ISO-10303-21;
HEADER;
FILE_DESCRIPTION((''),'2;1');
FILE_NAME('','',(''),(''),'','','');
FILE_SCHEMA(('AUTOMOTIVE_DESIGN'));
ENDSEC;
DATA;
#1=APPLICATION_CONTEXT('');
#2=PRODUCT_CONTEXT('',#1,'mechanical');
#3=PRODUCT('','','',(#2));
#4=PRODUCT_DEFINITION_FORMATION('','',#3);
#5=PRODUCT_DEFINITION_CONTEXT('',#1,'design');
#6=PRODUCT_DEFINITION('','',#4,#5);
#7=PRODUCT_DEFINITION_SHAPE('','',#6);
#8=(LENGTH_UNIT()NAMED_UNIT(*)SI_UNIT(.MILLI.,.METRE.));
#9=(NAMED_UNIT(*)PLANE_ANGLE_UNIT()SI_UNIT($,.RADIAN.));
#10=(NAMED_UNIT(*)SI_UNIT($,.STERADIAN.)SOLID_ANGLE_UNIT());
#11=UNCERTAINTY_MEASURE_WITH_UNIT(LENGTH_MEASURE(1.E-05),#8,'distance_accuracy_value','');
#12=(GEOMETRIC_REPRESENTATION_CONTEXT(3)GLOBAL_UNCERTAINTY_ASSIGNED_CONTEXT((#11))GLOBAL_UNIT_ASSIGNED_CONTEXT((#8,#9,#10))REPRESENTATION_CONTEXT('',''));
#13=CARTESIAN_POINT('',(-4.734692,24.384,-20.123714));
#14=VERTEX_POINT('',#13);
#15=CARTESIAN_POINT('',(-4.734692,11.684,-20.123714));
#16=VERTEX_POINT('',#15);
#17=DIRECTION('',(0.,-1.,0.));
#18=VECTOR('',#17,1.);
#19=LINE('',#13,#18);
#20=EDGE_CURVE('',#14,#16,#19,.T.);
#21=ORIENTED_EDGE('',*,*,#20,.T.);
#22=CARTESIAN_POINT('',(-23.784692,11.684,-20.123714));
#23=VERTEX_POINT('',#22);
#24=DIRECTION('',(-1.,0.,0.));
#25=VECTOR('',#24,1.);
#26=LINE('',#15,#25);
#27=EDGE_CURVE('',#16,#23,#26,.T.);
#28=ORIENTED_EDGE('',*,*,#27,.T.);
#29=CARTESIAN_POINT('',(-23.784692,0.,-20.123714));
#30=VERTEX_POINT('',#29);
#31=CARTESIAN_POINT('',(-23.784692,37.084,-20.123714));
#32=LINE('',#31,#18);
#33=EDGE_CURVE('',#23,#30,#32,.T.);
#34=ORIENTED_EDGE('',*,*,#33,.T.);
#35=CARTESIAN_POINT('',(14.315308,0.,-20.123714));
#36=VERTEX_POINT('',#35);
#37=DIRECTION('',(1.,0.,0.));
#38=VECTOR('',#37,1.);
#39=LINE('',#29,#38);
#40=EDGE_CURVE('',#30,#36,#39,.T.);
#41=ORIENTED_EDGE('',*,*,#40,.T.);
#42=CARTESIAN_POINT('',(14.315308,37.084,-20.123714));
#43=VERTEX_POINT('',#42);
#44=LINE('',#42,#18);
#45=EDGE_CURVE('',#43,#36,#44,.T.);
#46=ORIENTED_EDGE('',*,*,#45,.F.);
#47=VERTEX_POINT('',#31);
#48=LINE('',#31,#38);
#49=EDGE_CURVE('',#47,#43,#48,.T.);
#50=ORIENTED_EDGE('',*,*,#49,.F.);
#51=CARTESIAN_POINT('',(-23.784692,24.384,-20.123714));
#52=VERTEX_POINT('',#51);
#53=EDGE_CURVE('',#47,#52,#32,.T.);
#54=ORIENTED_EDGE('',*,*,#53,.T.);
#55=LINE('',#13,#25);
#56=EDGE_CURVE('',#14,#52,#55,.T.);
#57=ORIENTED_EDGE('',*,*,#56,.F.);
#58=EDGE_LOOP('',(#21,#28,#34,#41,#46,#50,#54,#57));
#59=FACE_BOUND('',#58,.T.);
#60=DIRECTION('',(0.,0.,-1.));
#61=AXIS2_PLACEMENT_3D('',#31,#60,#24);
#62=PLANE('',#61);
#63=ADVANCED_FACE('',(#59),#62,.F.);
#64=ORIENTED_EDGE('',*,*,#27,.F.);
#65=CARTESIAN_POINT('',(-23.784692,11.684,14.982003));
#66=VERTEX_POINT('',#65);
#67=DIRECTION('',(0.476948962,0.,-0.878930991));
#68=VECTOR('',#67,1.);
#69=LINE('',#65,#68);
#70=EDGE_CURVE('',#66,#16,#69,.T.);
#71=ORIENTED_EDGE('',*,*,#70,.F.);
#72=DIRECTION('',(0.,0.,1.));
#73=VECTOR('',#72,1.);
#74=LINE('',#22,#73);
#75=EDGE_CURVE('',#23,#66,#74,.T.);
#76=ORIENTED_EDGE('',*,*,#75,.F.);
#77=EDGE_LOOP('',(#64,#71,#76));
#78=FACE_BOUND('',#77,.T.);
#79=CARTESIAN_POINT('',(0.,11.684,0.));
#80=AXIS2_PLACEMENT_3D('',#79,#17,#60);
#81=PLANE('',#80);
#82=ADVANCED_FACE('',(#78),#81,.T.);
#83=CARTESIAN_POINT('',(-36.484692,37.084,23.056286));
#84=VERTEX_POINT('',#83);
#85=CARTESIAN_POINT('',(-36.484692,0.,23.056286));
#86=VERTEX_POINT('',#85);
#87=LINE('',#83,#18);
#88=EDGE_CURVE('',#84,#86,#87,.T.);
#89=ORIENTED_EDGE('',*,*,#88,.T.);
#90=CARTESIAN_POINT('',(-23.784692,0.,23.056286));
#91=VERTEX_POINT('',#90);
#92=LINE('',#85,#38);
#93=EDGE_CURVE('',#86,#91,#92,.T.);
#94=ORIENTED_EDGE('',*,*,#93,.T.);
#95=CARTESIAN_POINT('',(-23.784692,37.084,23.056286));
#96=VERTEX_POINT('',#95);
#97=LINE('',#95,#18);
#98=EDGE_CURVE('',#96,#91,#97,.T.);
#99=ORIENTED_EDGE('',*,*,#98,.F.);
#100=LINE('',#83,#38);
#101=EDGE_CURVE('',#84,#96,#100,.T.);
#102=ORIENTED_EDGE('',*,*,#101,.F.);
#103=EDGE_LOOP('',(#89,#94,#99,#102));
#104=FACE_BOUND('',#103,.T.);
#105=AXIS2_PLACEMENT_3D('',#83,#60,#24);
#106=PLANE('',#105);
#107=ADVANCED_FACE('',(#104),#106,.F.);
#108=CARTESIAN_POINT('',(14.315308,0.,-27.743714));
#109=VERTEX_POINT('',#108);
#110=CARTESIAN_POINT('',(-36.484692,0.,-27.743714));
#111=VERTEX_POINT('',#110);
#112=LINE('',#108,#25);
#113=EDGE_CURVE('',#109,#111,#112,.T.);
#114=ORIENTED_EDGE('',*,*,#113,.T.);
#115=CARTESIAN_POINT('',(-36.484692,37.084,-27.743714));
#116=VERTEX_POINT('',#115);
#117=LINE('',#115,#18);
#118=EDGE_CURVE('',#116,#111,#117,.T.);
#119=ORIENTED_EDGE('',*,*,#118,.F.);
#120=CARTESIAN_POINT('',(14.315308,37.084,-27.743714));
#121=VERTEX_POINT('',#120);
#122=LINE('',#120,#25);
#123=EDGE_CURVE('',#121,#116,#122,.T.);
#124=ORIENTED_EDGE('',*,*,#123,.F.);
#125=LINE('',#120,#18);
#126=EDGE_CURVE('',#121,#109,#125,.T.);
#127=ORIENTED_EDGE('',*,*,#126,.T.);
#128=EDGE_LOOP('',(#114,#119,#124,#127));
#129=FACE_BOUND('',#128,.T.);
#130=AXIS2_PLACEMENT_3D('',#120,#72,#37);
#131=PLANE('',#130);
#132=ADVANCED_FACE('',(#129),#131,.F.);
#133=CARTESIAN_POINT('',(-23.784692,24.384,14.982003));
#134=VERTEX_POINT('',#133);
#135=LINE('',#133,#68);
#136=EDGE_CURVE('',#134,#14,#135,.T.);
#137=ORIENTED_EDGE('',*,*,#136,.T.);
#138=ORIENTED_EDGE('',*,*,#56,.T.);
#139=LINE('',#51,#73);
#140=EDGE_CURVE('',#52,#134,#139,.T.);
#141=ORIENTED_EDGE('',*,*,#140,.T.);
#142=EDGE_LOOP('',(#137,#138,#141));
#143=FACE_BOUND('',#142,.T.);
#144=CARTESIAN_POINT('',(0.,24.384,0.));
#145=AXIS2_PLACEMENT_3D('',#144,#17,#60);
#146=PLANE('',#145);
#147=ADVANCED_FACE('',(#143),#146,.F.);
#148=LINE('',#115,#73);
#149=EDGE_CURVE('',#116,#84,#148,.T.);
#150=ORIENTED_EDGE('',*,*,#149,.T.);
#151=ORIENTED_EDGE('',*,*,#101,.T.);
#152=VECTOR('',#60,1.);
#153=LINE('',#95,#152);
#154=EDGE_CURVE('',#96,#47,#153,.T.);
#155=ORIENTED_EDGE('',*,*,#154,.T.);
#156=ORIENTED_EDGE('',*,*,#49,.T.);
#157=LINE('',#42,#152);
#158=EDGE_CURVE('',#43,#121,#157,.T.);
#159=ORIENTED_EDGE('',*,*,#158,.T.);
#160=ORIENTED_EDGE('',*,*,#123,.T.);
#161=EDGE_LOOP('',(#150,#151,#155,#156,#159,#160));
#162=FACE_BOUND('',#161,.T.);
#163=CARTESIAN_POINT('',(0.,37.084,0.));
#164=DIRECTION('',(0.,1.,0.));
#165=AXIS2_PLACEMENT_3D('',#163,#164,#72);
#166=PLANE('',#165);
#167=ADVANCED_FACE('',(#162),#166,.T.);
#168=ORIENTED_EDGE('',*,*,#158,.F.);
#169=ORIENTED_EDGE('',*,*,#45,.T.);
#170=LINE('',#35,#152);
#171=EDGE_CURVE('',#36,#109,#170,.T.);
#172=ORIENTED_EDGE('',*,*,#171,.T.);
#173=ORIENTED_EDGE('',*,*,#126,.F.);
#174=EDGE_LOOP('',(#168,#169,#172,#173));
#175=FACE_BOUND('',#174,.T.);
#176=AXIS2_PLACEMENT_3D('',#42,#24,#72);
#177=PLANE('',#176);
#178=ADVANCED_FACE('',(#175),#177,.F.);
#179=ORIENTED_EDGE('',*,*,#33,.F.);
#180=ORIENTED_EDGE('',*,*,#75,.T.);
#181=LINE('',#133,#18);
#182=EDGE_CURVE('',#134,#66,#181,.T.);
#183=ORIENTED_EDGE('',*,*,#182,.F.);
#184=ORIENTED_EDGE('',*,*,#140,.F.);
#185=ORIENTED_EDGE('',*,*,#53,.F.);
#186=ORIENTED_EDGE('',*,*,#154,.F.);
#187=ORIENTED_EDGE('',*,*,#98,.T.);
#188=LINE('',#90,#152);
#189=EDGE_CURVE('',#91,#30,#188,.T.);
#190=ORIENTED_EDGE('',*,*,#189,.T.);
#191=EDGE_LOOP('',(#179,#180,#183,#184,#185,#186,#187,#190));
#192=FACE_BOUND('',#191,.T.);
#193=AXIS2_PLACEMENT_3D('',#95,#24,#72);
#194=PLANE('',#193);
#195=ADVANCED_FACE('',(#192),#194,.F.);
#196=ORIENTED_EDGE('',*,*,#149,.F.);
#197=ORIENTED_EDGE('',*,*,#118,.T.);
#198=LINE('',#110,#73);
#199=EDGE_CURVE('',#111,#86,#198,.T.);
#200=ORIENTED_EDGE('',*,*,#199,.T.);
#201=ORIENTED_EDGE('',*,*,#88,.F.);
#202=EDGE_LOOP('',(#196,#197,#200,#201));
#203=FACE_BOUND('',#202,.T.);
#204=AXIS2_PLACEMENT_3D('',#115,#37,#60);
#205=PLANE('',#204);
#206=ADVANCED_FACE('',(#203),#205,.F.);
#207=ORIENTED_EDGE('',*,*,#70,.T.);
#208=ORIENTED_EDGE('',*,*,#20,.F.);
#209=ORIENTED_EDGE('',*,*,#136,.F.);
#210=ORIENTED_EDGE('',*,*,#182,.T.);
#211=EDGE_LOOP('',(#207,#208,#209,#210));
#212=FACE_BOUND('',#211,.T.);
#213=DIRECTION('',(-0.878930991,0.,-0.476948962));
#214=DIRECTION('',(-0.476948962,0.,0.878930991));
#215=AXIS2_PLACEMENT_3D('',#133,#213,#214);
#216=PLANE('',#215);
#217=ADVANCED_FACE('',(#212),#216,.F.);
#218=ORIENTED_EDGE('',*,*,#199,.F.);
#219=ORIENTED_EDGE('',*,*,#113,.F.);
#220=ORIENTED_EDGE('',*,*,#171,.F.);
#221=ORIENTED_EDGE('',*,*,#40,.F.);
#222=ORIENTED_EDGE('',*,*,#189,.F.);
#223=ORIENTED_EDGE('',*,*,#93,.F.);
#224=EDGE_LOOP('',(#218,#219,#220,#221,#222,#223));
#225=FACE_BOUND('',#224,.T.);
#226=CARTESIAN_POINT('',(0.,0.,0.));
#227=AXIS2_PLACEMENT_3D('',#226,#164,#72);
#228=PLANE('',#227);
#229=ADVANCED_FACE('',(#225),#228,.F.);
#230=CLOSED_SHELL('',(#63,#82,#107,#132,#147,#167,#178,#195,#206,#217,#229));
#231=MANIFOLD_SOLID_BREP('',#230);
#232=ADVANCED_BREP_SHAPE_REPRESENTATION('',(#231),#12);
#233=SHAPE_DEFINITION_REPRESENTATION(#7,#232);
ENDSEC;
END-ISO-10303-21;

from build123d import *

# Parameters (mm, degrees)
BOSS_EXTRUDE1_DEPTH = 37.084
BOSS_EXTRUDE2_DEPTH = 6.35


with BuildPart() as part:
    # Sketch1 → Boss-Extrude1 (new body)
    with BuildSketch(Plane(origin=(0, 0, 0), x_dir=(1, 0, 0), z_dir=(0, 1, 0))):
        Polygon((14.31530778, 27.743714137), (-36.48469222, 27.743714137), (-36.48469222, -23.056285863), (-23.78469222, -23.056285863), (-23.78469222, 20.123714137), (14.31530778, 20.123714137), align=None)
    extrude(amount=BOSS_EXTRUDE1_DEPTH)

    # Sketch4 → Boss-Extrude2 (add, symmetric)
    with BuildSketch(Plane(origin=(0, 18.034, 0), x_dir=(1, 0, 0), z_dir=(0, 1, 0))):
        Polygon((-23.78469222, -14.982003078), (-4.73469222, 20.123714137), (-23.78469222, 20.123714137), align=None)
    extrude(amount=BOSS_EXTRUDE2_DEPTH, both=True)


solid = part.part
